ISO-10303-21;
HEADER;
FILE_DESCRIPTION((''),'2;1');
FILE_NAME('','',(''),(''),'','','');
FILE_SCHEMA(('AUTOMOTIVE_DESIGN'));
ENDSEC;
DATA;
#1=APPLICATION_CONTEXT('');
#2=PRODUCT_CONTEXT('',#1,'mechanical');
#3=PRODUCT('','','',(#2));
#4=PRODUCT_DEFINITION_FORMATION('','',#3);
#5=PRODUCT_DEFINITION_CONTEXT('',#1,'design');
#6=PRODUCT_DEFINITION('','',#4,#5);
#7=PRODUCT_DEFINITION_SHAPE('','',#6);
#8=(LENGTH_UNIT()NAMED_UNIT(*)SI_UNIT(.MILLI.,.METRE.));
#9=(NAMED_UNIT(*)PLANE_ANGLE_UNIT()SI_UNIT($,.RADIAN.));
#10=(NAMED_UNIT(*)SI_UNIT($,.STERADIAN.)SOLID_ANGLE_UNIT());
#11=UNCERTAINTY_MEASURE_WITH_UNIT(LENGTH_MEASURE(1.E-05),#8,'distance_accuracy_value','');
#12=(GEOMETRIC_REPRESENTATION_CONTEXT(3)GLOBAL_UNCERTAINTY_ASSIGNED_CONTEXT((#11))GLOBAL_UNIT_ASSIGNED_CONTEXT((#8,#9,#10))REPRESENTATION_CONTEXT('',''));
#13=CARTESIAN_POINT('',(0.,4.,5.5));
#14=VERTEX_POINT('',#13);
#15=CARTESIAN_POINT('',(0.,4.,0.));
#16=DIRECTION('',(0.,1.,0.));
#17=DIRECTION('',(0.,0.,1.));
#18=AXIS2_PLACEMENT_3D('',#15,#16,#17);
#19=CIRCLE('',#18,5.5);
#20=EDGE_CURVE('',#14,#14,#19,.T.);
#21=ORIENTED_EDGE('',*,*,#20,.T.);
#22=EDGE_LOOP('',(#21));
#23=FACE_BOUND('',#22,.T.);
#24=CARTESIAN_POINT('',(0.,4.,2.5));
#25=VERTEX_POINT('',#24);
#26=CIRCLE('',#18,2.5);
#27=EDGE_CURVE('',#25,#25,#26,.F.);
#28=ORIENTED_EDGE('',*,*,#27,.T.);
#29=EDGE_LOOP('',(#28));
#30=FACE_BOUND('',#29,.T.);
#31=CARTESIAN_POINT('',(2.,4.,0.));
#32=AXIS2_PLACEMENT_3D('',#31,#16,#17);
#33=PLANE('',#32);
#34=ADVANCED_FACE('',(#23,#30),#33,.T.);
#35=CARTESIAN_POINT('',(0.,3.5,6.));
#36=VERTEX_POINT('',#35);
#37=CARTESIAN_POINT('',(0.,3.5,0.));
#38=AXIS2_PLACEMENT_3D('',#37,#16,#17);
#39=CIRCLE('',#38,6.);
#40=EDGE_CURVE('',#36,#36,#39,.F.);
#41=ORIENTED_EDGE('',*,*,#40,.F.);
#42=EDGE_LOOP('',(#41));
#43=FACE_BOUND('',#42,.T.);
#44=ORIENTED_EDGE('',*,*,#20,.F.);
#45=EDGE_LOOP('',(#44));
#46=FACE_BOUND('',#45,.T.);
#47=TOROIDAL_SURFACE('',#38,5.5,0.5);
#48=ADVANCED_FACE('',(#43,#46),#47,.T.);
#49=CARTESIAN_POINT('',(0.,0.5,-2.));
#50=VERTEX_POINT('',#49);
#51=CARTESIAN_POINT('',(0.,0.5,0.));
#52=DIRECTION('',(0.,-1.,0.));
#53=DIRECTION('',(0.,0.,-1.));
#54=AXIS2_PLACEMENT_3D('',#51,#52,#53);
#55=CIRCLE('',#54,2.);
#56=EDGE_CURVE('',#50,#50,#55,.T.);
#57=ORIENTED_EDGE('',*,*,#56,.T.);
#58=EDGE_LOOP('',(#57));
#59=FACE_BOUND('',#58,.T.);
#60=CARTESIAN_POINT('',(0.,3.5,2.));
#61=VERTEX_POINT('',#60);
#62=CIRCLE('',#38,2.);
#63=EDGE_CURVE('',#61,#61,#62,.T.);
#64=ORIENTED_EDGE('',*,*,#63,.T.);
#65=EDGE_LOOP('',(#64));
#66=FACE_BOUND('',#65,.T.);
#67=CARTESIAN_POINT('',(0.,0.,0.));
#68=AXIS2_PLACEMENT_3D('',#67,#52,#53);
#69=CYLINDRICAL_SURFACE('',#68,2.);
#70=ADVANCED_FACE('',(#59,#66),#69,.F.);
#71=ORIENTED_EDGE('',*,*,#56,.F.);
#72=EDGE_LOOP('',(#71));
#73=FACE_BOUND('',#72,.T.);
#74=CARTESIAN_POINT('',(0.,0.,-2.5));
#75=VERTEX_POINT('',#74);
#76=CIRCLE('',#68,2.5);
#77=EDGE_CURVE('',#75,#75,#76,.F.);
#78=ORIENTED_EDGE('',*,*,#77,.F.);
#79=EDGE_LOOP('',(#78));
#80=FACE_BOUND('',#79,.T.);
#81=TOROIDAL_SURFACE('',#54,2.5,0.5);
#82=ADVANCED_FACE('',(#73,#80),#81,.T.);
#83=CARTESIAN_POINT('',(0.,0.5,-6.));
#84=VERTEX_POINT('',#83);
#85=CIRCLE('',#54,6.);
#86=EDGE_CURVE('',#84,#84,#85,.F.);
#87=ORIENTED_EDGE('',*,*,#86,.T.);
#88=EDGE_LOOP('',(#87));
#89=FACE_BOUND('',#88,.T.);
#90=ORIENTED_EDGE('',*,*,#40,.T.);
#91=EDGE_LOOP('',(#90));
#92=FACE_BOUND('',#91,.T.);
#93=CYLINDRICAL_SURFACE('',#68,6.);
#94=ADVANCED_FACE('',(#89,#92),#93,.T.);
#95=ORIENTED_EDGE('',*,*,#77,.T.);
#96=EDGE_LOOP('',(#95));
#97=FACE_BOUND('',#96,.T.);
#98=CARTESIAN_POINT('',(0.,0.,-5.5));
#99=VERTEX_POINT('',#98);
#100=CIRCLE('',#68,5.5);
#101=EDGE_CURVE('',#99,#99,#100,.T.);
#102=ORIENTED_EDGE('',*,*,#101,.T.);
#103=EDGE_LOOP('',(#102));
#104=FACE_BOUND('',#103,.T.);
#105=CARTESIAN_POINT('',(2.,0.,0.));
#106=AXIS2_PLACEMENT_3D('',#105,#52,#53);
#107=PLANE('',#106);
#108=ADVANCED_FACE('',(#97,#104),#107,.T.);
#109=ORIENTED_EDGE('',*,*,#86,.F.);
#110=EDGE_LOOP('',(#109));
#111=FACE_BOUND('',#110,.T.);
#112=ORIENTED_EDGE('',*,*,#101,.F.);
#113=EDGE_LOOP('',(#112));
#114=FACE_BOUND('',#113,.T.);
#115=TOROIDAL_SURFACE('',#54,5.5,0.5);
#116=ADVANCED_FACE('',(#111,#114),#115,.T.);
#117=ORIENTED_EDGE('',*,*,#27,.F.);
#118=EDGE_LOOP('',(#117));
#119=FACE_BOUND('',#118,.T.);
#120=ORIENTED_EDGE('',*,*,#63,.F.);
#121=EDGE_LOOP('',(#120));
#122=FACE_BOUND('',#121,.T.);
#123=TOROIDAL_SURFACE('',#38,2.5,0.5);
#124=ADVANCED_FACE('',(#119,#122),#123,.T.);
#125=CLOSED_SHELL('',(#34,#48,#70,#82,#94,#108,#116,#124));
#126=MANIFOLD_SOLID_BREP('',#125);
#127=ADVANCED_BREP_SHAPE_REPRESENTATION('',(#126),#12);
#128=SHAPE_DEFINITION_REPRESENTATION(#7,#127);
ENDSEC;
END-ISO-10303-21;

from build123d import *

# Parameters (mm, degrees)
ESQUISSE1_W = 4
ESQUISSE1_H = 4
CONG_1_R    = 0.5


with BuildPart() as part:
    # Esquisse1 → Révolution1 (revolve)
    with BuildSketch(Plane.XY, mode=Mode.PRIVATE) as r_volution1_sk:
        with Locations((4, 2)):
            Rectangle(ESQUISSE1_W, ESQUISSE1_H)
    revolve(r_volution1_sk.sketch.rotate(Axis((0, 0, 0), (0, 1, 0)), 90), axis=Axis((0, 0, 0), (0, 1, 0)))

    # Congé1
    cong_1_edges = [part.edges().sort_by_distance(p)[0] for p in [
        (0, 0, 2),
        (0, 0, 6),
        (0, 4, 6),
        (0, 4, 2),
    ]]
    fillet(cong_1_edges, radius=CONG_1_R)


solid = part.part
